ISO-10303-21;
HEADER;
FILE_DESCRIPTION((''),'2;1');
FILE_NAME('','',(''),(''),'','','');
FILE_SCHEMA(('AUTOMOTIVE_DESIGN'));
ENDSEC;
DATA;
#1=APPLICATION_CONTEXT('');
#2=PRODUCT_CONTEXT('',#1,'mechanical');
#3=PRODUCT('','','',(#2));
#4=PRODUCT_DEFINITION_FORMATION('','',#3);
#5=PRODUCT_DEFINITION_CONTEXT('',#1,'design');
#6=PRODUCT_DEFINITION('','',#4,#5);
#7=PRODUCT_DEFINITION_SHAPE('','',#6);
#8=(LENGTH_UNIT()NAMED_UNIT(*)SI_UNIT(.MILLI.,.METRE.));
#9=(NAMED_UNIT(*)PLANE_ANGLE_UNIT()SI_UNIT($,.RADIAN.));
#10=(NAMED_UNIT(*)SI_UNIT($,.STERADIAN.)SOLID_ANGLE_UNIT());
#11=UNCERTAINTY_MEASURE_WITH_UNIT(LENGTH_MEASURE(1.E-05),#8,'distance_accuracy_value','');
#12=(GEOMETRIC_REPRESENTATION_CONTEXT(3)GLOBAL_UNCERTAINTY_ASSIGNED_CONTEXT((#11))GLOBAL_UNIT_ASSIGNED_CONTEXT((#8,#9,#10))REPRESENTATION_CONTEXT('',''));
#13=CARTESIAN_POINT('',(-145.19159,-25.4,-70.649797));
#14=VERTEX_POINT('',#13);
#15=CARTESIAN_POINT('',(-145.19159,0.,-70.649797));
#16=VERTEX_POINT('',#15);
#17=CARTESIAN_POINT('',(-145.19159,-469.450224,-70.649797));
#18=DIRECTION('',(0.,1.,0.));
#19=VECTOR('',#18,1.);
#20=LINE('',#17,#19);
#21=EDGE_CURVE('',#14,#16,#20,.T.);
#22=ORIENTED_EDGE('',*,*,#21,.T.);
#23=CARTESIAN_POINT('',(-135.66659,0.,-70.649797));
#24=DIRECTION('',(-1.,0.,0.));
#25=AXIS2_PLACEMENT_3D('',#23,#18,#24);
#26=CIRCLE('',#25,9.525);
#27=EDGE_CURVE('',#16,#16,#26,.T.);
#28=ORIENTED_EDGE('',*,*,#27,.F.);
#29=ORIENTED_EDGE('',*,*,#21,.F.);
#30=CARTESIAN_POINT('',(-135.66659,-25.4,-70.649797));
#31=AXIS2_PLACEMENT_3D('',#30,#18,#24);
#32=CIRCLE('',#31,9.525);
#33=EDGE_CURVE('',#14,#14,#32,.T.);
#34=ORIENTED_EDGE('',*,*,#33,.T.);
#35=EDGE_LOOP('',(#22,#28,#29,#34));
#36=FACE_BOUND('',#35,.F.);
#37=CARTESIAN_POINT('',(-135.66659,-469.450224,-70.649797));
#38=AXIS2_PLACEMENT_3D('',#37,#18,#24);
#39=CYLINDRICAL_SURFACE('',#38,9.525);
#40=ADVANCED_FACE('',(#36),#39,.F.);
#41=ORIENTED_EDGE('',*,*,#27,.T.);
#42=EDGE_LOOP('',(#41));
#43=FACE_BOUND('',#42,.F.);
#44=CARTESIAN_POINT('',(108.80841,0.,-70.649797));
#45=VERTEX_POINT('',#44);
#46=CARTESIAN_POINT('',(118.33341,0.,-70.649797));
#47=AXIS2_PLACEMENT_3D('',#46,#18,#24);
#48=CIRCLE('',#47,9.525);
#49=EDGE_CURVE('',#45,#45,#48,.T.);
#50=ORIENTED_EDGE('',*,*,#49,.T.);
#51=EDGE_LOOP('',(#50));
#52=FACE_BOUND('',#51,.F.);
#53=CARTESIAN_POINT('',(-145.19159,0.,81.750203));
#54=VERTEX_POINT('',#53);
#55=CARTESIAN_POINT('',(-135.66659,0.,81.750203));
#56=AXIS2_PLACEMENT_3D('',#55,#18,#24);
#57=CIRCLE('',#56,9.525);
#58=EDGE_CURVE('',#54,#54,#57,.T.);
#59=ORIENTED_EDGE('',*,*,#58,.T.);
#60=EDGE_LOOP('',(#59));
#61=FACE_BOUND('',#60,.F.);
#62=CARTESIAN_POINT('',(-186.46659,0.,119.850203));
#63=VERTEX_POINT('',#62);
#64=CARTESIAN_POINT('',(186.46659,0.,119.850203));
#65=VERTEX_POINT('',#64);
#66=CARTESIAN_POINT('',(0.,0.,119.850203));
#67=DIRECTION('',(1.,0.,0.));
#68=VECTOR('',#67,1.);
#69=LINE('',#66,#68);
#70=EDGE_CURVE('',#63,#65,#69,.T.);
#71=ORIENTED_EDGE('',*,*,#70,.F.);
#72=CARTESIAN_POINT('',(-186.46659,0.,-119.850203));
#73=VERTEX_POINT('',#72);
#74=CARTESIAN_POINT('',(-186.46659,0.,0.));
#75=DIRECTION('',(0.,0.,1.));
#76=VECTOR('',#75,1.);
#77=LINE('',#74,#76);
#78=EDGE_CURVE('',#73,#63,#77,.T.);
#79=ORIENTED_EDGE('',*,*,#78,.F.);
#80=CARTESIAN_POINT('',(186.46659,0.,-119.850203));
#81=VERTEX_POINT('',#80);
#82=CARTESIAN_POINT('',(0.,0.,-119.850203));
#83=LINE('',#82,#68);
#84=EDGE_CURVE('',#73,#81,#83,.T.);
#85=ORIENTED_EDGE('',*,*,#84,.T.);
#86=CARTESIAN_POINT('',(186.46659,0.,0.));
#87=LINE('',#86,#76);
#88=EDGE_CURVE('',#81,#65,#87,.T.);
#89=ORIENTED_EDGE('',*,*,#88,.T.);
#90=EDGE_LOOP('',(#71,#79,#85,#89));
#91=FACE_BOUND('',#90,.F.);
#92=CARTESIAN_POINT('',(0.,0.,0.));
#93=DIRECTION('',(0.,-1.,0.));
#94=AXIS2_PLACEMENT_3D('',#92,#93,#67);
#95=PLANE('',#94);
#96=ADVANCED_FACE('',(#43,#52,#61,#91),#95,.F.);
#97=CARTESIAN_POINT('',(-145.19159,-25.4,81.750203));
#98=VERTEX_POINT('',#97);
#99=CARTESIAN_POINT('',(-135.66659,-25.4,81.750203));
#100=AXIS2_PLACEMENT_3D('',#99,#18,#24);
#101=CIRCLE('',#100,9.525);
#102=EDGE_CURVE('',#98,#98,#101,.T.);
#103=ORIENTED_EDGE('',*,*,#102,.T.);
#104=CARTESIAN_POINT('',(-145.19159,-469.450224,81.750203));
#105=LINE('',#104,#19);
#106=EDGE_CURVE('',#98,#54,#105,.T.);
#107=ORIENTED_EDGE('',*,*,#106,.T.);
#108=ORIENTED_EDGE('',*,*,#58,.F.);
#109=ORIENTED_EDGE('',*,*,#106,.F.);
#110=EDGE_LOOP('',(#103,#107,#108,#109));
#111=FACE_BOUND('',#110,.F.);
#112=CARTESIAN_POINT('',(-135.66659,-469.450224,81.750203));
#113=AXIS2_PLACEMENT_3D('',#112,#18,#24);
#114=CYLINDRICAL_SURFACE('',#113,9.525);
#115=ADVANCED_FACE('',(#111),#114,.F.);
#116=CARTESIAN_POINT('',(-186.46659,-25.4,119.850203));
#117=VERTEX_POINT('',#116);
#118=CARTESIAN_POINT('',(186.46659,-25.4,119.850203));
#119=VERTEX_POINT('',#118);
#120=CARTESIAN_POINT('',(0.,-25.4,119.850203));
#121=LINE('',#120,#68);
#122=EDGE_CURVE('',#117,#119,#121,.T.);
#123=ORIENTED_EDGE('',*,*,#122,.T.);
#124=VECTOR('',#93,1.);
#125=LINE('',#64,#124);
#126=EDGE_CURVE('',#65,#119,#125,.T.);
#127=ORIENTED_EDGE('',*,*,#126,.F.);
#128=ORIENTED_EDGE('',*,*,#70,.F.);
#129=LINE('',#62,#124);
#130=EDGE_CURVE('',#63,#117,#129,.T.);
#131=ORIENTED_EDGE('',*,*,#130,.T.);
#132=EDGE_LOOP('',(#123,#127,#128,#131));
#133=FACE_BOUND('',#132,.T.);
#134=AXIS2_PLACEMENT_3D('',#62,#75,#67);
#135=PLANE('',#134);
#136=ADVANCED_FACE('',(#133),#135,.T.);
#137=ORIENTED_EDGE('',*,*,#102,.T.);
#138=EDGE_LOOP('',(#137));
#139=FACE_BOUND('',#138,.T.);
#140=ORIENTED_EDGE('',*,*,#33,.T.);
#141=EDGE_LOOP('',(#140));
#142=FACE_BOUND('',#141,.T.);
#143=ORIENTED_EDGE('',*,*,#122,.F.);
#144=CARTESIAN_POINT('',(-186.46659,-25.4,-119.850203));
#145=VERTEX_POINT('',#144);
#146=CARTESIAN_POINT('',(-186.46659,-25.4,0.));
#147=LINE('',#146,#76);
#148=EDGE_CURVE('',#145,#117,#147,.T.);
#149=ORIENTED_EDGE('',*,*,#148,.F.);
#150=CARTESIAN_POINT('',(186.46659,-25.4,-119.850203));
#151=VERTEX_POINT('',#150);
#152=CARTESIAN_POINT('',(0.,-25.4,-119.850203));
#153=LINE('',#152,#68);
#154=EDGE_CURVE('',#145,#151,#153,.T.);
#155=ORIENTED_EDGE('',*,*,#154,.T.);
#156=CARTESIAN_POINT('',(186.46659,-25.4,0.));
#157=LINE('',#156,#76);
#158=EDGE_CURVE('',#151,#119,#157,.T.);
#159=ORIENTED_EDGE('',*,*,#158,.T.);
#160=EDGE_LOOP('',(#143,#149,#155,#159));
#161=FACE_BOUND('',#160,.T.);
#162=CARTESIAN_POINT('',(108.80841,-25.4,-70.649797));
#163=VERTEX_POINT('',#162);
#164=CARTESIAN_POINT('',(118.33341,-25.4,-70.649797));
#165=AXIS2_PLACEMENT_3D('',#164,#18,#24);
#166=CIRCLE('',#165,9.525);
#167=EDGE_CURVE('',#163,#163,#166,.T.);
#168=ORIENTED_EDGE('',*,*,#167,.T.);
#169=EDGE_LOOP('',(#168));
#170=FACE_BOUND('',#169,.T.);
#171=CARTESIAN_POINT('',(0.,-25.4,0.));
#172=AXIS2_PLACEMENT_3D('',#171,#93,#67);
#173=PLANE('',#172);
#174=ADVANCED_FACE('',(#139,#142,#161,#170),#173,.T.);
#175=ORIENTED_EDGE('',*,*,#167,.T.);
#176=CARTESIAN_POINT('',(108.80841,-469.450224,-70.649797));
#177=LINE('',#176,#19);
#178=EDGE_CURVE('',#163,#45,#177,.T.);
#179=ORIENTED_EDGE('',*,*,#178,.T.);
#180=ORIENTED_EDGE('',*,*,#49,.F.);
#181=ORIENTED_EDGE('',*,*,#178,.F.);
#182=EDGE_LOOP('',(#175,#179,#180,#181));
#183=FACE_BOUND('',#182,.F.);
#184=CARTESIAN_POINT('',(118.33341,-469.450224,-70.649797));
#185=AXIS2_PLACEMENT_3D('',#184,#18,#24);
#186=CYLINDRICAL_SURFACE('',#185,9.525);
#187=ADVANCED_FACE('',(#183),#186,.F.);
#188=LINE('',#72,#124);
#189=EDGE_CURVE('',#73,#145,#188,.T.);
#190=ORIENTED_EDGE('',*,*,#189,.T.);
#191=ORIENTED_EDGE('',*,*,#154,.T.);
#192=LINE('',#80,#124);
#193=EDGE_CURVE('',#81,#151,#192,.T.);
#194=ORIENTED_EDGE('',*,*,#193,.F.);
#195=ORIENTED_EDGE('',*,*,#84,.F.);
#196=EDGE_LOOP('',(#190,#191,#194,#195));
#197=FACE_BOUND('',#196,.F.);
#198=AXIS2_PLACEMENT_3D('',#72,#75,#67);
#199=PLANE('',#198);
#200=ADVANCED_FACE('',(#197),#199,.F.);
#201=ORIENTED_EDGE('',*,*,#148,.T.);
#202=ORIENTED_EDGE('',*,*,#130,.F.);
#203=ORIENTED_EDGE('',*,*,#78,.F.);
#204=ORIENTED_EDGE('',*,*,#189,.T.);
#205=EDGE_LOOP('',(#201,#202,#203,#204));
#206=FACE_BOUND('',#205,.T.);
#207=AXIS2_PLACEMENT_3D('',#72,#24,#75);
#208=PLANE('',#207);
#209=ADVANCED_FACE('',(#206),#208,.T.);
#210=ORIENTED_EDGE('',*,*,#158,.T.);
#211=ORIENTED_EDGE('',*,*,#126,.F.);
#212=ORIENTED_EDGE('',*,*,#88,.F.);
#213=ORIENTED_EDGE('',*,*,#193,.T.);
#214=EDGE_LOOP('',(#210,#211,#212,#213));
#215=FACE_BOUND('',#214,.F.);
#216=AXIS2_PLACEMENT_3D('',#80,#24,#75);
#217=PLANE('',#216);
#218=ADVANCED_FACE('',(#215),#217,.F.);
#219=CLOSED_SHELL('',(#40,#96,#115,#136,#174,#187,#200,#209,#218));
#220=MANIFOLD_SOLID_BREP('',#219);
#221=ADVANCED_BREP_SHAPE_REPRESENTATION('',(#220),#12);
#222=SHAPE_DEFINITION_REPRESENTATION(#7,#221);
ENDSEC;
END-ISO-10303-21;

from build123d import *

# Parameters (mm, degrees)
F0_W     = 372.93318
F0_H     = 239.700406
F1_DEPTH = 25.4
F3_D     = 19.05


with BuildPart() as f1:
    # F0 (on Front) → F1 (new body)
    with BuildSketch(Plane.XZ):
        Rectangle(F0_W, F0_H)
    extrude(amount=F1_DEPTH)

    # F3 (through all)
    with Locations(Plane.XZ.offset(25.4)):
        with Locations((-135.66659, 81.750203), (-135.66659, -70.649797), (118.33341, -70.649797)):
            Hole(F3_D / 2)


solid = f1.part
